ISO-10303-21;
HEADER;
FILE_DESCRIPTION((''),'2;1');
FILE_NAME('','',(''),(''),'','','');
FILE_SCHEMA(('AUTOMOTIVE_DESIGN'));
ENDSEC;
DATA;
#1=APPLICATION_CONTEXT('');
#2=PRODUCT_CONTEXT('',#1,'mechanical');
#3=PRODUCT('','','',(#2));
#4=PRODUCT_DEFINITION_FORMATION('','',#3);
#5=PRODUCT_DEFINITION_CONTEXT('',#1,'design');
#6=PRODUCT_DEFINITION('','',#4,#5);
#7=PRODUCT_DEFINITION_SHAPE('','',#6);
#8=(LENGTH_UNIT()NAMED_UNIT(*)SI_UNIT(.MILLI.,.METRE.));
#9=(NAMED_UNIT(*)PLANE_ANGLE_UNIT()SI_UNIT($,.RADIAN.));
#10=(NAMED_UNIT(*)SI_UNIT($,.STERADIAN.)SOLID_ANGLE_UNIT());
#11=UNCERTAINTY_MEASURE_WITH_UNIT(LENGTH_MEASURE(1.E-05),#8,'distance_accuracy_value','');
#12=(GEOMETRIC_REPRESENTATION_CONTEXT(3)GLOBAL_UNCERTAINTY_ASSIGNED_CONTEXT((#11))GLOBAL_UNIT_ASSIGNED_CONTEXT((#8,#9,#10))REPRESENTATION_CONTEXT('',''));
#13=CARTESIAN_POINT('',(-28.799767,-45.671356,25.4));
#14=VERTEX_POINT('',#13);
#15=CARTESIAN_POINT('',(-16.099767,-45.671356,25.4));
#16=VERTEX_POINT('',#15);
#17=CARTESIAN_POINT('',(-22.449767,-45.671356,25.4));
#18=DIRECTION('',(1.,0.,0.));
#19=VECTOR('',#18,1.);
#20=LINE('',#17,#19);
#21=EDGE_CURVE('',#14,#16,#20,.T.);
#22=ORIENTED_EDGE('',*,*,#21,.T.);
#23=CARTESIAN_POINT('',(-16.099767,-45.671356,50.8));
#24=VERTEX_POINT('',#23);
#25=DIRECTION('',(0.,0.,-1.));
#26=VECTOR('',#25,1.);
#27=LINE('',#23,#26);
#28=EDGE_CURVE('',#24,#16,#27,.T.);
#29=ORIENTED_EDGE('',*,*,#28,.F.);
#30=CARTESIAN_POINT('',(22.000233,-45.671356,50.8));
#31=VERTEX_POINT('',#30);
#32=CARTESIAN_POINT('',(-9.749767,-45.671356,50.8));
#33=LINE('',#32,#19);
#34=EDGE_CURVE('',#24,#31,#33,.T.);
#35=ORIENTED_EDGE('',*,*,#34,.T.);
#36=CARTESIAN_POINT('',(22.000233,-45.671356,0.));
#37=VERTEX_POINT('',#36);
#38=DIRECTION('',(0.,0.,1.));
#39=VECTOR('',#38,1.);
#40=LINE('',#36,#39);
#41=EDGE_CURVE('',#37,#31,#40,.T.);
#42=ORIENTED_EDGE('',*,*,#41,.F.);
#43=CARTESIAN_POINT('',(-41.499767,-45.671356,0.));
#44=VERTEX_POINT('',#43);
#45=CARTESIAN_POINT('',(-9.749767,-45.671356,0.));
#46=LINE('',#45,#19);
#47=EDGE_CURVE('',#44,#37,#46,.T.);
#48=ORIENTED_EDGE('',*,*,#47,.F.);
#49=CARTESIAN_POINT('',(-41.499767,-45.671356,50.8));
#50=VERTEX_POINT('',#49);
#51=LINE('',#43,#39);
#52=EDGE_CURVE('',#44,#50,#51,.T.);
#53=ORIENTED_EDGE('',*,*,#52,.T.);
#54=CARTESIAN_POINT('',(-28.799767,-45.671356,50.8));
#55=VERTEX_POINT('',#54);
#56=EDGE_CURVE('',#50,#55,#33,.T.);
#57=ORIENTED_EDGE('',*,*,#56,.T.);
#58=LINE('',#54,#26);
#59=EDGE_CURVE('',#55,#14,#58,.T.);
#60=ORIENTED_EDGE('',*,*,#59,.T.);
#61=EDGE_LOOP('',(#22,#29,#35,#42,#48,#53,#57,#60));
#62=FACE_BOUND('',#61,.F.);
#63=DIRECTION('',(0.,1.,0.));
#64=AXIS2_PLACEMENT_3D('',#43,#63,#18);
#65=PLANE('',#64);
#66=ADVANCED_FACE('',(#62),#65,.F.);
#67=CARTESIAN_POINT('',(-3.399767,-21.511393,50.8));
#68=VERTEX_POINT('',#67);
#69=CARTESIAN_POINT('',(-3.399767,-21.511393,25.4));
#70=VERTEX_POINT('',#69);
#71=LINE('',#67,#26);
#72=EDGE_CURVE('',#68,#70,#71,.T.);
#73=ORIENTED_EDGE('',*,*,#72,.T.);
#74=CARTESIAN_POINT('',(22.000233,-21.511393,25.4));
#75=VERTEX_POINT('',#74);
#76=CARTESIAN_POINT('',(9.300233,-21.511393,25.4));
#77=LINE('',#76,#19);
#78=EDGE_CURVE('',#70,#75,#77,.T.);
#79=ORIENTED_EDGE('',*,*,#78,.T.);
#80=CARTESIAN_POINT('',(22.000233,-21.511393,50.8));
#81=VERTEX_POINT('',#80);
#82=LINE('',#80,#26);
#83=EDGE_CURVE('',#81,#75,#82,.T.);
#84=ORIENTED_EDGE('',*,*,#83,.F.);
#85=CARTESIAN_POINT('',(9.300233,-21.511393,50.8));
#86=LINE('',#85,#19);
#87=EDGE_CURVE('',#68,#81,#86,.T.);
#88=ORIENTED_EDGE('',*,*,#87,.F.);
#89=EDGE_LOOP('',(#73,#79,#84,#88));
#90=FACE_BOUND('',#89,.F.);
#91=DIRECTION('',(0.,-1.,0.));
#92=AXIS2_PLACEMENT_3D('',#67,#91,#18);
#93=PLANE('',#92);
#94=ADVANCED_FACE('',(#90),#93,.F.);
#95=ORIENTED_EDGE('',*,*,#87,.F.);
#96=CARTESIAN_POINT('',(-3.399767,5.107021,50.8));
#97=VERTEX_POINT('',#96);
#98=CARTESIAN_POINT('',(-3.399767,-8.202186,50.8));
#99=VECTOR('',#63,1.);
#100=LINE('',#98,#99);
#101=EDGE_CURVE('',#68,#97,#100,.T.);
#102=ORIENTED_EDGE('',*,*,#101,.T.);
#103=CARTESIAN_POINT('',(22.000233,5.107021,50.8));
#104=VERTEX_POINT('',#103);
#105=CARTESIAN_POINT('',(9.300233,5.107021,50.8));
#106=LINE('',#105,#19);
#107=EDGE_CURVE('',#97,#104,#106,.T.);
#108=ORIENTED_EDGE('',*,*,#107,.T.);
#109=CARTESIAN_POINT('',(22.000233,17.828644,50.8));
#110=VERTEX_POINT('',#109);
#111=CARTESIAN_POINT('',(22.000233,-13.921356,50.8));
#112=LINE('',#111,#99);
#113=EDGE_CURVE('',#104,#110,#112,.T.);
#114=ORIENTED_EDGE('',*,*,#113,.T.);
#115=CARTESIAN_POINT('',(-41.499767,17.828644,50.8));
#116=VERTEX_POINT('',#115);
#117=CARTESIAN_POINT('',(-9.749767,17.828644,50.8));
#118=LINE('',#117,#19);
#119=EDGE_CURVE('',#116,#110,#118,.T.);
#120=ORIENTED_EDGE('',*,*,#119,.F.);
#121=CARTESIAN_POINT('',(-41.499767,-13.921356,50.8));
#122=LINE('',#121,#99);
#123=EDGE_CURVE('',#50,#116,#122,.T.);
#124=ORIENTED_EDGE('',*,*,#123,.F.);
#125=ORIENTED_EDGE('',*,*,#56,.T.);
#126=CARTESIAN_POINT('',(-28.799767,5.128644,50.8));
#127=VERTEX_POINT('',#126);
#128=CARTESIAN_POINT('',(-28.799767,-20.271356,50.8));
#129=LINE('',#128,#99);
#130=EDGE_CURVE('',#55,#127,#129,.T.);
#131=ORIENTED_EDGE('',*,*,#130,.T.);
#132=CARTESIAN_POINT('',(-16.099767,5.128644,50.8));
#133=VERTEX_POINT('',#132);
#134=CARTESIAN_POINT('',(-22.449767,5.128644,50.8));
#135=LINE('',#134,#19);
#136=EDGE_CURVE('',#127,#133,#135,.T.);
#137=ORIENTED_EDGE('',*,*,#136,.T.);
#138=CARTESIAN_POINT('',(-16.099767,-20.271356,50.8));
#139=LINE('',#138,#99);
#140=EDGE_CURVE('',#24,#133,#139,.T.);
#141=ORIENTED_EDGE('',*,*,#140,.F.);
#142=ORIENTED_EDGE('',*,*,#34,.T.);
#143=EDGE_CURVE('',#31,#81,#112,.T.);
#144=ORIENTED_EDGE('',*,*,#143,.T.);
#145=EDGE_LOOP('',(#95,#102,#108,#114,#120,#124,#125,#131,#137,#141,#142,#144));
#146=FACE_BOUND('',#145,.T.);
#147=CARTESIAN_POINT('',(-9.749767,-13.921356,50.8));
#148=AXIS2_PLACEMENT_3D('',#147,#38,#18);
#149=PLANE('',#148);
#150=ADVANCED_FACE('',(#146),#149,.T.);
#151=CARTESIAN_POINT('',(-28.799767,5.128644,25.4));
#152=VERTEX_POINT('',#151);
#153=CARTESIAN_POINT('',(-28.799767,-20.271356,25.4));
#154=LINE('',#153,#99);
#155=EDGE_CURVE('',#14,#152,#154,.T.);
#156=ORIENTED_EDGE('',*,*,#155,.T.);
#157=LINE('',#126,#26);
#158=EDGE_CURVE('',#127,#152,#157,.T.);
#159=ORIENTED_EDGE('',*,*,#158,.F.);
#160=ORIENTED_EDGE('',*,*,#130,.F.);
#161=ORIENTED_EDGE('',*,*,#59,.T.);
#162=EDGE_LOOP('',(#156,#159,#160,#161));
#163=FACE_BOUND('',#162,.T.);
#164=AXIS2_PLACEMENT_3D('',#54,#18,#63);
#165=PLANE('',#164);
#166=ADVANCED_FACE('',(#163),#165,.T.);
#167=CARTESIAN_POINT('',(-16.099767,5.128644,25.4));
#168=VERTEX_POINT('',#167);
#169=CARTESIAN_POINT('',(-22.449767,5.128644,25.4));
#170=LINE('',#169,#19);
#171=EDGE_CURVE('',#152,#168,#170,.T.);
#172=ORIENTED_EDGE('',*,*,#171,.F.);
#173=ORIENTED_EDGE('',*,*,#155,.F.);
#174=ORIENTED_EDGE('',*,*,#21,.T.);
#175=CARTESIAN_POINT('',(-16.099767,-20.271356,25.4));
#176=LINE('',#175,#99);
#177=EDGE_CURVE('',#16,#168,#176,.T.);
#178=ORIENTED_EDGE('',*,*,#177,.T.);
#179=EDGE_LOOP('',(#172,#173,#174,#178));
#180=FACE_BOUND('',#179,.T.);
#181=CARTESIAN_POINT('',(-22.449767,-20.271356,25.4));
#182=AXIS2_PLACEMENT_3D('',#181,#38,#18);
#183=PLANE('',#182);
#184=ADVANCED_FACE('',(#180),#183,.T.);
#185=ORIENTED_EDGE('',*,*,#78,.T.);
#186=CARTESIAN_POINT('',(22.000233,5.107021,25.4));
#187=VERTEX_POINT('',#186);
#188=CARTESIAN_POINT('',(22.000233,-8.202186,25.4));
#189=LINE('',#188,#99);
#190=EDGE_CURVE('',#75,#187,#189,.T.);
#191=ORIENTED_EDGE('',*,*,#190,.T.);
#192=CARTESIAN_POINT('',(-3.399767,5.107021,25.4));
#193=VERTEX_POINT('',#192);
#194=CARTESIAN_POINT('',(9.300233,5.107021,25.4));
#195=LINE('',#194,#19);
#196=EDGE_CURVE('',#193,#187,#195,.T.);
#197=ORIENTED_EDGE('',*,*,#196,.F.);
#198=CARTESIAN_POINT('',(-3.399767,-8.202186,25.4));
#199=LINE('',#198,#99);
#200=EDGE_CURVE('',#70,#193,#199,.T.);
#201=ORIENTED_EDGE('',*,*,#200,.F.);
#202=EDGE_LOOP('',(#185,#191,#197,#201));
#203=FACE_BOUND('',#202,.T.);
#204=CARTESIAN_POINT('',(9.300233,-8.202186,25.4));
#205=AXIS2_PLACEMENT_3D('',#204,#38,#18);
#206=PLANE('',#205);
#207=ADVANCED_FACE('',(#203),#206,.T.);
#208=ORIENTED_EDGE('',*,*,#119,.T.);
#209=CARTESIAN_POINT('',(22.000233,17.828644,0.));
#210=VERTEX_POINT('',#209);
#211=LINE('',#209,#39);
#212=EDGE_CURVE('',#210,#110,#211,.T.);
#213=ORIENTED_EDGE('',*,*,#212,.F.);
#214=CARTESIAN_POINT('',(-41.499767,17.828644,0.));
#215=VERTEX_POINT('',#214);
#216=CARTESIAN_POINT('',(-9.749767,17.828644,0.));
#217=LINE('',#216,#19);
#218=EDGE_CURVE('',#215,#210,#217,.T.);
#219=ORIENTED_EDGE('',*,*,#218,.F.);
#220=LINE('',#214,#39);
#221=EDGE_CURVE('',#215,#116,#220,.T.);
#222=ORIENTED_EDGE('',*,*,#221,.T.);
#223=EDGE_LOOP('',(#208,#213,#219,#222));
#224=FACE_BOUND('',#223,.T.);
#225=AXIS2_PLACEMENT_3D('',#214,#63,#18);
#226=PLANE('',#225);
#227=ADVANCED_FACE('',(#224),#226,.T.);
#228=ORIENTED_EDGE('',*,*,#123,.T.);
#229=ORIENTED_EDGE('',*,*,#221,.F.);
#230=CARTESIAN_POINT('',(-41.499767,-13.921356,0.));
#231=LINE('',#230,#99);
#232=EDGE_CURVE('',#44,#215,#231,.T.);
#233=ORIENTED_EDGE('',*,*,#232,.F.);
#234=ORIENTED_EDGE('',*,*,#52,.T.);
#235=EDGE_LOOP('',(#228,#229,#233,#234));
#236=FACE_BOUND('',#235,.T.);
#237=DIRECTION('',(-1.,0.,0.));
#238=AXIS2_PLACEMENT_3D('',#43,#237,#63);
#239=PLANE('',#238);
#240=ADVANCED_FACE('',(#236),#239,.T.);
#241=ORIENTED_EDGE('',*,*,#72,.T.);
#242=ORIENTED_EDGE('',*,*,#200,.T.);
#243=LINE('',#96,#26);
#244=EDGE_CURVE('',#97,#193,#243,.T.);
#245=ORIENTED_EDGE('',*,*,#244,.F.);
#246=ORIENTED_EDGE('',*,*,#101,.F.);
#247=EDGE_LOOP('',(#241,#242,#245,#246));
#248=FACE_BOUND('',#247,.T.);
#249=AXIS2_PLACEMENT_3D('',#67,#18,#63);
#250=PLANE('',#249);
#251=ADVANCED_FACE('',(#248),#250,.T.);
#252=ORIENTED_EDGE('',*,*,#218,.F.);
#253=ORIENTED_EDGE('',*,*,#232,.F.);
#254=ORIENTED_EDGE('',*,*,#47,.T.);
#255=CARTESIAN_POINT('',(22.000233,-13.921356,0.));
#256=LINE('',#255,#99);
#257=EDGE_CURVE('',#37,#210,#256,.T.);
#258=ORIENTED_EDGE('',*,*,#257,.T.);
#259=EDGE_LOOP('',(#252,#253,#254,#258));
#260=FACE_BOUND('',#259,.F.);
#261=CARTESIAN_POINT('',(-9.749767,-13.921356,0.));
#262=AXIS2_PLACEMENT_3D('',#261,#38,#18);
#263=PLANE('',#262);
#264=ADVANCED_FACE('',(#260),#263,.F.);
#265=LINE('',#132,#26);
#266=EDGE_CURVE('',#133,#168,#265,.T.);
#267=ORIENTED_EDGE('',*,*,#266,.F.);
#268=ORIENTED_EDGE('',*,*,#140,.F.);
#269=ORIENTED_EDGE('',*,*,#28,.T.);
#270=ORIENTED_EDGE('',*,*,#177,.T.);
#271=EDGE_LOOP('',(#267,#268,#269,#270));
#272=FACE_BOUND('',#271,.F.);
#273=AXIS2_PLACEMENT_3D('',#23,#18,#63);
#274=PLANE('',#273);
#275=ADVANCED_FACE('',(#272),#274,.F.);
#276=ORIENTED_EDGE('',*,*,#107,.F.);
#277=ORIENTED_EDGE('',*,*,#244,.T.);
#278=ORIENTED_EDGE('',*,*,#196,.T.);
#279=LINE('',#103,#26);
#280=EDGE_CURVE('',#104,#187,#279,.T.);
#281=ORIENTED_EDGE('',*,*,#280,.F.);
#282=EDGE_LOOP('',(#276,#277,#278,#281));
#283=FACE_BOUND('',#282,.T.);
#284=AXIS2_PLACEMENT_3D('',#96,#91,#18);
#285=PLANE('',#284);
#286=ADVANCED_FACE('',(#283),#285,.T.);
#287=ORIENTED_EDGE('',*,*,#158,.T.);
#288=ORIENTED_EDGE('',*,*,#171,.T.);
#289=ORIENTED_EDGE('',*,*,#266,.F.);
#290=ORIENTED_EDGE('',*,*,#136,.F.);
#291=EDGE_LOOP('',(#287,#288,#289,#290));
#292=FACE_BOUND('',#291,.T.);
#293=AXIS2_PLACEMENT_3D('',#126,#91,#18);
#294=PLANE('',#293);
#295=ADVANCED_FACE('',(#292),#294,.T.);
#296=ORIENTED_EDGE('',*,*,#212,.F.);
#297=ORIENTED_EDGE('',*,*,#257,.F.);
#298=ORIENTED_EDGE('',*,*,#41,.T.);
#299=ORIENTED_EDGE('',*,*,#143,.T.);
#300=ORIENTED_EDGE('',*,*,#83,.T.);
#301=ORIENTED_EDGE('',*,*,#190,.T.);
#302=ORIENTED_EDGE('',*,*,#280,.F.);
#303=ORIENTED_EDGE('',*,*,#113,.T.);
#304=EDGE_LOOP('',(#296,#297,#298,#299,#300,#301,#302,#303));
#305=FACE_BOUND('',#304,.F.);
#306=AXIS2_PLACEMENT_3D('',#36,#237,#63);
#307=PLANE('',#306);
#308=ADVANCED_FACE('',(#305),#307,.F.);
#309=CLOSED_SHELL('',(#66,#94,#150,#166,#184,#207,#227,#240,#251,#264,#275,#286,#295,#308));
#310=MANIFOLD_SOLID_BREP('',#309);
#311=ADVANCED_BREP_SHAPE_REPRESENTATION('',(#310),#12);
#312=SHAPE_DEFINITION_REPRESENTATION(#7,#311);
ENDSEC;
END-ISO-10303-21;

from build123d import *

# Parameters (mm, degrees)
F0_W     = 63.5
F0_H     = 63.5
F1_DEPTH = 50.8
F2_W     = 25.4
F2_H     = 26.618414
F2_W_2   = 12.7
F2_H_2   = 50.8
F3_DEPTH = 25.4


with BuildPart() as f1:
    # F0 (on Top) → F1 (new body)
    with BuildSketch(Plane.XY):
        with Locations((-9.749767, -13.921356)):
            Rectangle(F0_W, F0_H)
    extrude(amount=F1_DEPTH)

    # F2 (on face) → F3 (cut)
    with BuildSketch(Plane.XY.offset(50.8)):
        with Locations((9.300233, -8.202186)):
            Rectangle(F2_W, F2_H)
        with Locations((-22.449767, -20.271356)):
            Rectangle(F2_W_2, F2_H_2)
    extrude(amount=-F3_DEPTH, mode=Mode.SUBTRACT)


solid = f1.part
